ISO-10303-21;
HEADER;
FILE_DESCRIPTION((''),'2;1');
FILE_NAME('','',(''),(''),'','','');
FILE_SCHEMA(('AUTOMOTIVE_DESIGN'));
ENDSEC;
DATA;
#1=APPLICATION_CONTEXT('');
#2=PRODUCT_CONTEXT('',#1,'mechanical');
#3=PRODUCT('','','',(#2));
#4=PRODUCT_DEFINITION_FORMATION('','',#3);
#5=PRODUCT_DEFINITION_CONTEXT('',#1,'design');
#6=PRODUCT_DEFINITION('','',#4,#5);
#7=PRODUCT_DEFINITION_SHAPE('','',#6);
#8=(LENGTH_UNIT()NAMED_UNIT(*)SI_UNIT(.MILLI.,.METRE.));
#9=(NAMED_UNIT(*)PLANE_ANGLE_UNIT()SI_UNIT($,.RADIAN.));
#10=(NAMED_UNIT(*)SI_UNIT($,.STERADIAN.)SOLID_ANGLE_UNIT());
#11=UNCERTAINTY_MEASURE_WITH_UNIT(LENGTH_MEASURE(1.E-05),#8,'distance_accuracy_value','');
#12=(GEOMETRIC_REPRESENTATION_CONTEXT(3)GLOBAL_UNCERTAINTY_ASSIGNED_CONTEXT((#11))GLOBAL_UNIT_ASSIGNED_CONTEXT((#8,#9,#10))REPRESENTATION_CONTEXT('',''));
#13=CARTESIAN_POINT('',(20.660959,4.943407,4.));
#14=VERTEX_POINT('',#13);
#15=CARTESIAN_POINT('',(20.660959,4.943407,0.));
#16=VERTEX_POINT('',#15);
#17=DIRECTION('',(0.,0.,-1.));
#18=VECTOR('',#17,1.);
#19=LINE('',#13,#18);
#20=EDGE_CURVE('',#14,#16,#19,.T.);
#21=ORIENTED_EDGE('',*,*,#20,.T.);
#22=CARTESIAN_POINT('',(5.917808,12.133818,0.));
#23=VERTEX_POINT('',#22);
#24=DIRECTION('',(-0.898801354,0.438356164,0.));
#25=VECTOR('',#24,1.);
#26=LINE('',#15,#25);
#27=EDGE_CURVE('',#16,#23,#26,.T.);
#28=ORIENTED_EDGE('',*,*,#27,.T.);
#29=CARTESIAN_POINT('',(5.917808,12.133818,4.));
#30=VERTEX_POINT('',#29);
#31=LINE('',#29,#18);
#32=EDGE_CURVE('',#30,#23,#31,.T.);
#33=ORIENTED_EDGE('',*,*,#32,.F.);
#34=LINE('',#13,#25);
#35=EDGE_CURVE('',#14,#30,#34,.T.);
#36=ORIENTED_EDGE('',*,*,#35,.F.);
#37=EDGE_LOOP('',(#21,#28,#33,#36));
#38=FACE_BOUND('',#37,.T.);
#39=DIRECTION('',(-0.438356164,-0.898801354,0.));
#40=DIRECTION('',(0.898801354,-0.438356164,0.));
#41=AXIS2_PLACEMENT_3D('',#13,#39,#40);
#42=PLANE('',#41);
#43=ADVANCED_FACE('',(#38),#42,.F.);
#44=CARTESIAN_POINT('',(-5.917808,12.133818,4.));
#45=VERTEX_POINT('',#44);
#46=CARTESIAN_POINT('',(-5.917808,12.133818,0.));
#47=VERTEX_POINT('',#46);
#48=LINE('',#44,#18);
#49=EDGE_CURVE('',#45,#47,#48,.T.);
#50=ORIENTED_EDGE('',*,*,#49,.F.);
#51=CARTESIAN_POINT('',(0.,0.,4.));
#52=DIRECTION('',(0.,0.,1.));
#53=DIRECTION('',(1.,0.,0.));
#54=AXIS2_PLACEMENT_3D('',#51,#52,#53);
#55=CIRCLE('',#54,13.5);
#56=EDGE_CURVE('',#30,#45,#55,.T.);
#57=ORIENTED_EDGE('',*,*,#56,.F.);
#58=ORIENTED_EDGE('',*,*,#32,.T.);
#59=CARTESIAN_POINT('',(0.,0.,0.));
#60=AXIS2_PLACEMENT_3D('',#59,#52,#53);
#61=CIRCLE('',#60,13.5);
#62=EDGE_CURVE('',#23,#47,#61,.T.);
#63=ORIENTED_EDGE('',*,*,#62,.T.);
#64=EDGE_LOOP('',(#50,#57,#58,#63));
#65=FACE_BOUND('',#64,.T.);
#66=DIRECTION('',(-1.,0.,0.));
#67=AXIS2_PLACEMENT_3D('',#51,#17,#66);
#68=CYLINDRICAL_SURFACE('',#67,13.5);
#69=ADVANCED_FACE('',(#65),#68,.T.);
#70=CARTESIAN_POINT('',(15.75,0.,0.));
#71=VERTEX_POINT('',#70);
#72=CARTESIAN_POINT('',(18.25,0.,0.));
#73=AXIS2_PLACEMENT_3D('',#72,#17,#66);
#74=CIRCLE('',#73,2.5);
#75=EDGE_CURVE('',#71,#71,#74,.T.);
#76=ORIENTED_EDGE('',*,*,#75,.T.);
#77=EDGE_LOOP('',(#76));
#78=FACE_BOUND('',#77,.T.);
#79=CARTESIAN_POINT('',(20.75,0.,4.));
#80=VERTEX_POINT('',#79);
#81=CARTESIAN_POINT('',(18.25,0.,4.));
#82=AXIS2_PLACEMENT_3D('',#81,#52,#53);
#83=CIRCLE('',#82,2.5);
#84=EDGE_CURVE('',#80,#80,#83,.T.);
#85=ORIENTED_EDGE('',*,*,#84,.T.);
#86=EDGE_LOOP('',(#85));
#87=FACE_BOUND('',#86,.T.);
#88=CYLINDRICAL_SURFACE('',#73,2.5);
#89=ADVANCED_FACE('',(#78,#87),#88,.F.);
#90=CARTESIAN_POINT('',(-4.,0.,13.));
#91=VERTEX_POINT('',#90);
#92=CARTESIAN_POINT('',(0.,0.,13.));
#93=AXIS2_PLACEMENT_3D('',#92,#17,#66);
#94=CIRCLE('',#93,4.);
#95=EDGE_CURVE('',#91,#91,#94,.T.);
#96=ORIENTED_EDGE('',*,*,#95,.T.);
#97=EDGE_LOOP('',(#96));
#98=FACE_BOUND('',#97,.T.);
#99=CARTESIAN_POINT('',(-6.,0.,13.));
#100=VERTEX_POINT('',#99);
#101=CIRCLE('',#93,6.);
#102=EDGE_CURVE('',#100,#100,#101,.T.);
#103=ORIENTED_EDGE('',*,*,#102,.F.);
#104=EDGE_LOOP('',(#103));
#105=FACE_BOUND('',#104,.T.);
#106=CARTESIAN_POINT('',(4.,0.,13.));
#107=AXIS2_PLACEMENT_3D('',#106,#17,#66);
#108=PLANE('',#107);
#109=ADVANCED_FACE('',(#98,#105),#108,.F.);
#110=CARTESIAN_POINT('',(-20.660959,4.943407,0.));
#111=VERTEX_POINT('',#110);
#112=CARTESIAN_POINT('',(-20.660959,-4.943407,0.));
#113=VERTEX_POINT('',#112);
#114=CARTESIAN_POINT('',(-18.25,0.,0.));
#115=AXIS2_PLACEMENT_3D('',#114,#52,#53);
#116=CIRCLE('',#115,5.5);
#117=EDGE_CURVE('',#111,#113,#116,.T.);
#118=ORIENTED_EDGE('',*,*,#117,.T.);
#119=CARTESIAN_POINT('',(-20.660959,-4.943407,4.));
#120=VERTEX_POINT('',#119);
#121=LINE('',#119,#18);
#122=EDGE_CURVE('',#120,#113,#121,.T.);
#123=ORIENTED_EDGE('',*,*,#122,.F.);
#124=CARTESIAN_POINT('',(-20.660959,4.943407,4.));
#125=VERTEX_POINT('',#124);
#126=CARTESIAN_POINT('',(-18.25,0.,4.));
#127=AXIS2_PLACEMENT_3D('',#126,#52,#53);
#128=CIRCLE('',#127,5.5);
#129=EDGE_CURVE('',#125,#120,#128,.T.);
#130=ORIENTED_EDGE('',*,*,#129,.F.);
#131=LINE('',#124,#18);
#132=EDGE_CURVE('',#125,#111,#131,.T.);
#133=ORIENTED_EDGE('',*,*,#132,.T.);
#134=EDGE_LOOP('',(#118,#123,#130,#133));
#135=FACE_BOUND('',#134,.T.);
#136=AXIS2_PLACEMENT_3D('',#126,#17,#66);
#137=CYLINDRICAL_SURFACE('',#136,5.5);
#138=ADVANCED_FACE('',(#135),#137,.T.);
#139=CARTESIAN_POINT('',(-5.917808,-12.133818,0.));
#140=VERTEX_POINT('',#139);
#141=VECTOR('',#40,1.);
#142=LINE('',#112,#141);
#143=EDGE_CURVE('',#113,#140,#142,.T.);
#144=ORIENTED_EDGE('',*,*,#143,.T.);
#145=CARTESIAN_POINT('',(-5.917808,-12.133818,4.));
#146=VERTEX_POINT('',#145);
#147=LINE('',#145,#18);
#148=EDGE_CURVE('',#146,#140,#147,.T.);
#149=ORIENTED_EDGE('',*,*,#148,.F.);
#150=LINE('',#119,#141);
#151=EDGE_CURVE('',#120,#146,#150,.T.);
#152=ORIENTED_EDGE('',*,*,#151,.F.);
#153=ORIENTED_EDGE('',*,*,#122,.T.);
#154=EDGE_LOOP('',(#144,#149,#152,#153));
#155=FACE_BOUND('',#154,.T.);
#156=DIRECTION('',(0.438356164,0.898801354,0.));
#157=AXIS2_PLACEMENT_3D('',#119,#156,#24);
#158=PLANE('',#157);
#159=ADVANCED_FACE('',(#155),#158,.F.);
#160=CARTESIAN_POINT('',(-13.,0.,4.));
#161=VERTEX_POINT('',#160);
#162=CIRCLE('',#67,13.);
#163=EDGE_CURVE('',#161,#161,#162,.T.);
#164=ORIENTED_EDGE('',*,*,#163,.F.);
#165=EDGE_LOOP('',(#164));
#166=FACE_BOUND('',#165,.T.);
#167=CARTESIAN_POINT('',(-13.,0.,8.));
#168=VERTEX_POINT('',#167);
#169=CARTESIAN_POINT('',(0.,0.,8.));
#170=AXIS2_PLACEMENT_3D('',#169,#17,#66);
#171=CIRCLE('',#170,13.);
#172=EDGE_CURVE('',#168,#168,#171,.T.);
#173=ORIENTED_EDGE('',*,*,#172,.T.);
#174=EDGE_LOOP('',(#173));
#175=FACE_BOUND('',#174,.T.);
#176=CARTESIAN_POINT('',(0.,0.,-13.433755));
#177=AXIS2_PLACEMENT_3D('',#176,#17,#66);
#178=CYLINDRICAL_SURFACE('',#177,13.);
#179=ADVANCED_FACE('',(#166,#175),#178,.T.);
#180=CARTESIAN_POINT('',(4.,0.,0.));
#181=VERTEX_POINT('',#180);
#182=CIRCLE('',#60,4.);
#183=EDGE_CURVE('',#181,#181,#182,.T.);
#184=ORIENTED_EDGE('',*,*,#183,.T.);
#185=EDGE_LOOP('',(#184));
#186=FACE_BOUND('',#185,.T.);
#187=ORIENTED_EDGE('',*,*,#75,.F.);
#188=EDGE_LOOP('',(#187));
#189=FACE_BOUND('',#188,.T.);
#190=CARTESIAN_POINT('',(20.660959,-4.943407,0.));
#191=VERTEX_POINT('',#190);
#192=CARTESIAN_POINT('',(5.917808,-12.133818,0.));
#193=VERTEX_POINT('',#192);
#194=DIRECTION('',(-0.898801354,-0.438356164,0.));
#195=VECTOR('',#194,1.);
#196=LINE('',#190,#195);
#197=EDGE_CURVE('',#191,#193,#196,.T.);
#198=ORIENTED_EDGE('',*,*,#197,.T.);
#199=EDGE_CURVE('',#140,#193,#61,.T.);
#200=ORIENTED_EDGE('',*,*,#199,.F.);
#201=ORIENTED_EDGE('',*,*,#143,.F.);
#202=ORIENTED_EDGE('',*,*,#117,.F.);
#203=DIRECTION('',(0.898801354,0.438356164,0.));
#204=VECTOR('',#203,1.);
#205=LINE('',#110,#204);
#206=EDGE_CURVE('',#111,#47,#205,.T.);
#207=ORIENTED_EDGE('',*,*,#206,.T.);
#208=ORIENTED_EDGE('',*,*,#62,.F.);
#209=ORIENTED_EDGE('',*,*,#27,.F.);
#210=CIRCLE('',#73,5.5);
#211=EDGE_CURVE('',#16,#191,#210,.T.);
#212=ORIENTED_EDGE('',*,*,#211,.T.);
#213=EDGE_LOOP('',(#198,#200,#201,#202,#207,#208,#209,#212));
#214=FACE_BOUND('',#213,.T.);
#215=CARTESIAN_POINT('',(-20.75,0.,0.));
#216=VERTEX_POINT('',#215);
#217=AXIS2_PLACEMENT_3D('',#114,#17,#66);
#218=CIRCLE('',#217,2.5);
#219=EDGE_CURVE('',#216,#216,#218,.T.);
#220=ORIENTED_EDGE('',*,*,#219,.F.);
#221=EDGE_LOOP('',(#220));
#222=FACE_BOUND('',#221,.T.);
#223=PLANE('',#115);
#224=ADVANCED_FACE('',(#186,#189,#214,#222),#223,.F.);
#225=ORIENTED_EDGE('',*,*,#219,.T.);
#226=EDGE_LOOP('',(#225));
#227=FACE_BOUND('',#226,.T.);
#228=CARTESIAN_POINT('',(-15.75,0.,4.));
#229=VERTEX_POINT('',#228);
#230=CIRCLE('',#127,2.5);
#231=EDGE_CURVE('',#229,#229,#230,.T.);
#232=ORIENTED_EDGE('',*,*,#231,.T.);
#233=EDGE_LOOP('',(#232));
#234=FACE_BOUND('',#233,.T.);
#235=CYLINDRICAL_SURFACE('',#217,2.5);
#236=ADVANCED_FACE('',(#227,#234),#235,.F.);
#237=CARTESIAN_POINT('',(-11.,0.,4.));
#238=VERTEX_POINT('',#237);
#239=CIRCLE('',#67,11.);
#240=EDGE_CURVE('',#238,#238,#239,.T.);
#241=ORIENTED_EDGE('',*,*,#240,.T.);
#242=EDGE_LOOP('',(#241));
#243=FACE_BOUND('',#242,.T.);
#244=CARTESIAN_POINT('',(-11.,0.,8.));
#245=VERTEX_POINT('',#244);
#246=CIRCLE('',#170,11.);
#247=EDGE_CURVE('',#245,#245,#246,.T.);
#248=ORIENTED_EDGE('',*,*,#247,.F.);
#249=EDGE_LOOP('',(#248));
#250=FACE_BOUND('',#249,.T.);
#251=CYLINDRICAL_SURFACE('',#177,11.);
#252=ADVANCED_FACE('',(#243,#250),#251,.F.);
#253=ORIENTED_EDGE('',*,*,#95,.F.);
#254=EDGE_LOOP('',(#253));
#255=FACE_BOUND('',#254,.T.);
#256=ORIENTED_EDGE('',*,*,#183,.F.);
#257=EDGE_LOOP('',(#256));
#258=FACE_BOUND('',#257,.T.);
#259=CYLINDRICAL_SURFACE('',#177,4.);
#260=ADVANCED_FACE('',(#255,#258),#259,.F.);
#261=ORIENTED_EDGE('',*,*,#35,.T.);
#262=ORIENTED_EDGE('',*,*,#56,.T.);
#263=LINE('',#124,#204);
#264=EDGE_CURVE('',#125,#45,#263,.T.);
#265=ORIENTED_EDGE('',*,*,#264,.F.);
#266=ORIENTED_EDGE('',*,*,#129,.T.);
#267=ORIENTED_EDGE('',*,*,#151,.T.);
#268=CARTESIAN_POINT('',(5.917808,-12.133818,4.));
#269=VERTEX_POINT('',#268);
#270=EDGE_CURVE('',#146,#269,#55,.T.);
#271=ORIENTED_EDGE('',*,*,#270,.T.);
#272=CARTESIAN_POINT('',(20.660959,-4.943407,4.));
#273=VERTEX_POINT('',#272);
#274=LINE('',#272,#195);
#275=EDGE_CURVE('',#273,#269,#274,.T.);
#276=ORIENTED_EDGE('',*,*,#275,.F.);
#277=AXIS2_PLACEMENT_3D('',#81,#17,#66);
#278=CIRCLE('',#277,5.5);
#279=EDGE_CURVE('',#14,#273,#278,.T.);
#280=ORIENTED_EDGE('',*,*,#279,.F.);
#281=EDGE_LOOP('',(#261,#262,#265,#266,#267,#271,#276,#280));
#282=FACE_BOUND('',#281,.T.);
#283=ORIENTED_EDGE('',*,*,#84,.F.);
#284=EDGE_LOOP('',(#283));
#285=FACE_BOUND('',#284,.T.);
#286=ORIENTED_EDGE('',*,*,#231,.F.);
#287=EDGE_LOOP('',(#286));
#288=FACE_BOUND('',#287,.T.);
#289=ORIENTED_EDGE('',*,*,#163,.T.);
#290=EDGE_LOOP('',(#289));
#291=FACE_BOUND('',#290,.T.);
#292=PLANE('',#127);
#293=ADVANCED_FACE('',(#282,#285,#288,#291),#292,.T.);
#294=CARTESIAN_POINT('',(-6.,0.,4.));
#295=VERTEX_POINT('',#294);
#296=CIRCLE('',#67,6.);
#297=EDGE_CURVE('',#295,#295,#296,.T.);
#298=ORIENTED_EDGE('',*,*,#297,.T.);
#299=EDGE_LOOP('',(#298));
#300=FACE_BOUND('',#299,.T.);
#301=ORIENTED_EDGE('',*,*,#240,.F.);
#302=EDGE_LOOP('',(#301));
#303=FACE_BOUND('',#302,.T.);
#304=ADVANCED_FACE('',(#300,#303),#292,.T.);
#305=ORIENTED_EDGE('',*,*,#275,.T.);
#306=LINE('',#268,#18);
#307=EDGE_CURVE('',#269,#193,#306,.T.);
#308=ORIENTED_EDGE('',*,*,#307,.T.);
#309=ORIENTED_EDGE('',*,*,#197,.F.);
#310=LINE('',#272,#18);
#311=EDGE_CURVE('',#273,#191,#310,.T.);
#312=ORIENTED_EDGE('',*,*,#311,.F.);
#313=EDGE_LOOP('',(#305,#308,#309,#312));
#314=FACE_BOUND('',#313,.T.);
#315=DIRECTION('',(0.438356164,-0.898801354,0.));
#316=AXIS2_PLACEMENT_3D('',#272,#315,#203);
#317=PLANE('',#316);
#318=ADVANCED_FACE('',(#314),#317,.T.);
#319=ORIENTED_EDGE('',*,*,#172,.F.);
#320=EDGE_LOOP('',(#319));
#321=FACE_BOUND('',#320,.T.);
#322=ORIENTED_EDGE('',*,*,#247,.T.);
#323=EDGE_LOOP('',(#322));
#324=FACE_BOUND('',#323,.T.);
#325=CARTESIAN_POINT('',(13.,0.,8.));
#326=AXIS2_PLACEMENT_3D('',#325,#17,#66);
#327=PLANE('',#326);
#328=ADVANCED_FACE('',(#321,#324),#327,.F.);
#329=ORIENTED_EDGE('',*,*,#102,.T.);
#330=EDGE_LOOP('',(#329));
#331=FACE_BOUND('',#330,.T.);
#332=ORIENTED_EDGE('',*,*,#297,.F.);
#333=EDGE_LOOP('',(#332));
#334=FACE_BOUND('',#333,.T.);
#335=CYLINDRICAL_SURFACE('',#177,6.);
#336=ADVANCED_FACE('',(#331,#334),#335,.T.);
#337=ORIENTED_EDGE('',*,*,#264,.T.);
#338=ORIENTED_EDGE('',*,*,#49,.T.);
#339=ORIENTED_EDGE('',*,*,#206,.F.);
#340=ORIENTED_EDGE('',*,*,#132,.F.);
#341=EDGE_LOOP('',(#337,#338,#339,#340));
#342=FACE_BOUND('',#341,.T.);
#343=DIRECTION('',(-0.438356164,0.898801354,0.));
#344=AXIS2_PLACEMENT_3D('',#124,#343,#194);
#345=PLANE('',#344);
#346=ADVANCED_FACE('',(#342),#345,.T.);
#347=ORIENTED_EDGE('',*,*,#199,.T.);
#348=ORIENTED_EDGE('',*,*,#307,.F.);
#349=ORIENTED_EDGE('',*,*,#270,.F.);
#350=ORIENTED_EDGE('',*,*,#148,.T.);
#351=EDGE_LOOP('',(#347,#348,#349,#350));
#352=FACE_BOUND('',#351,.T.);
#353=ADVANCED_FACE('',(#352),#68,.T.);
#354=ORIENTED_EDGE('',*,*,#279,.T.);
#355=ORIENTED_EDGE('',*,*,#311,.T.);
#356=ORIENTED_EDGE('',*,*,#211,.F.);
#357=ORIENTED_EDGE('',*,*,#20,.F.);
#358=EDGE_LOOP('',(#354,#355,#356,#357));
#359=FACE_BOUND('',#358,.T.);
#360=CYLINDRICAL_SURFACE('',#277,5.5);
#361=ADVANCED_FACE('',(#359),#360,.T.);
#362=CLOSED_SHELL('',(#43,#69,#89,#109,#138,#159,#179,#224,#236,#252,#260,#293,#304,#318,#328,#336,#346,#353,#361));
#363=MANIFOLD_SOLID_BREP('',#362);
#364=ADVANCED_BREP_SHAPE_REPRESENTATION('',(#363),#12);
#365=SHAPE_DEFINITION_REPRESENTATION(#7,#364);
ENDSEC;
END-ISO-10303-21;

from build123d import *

# Parameters (mm, degrees)
BOSS_EXTRUDE5_DEPTH       = 4
SKETCH5_W                 = 2
SKETCH5_H                 = 4
F_5_0MM_DOWEL_HOLE1_D     = 5
F_5_0MM_DOWEL_HOLE1_DEPTH = 10.1
F_5_0MM_DOWEL_HOLE1_TIP   = 1.502151548
F_8_0MM_DOWEL_HOLE1_D     = 8
F_8_0MM_DOWEL_HOLE1_DEPTH = 10.1
F_8_0MM_DOWEL_HOLE1_TIP   = 2.403442476


with BuildPart() as part:
    # Sketch1 → Boss-Extrude5 (new body)
    with BuildSketch(Plane.XY):
        with BuildLine():
            Line((-20.660958904, 4.943407445), (-5.917808219, 12.133818273))
            ThreePointArc((-5.917808219, 12.133818273), (0, 13.5), (5.917808219, 12.133818273))
            Line((5.917808219, 12.133818273), (20.660958904, 4.943407445))
            ThreePointArc((20.660958904, 4.943407445), (23.75, 0), (20.660958904, -4.943407445))
            Line((20.660958904, -4.943407445), (5.917808219, -12.133818273))
            ThreePointArc((5.917808219, -12.133818273), (0, -13.5), (-5.917808219, -12.133818273))
            Line((-5.917808219, -12.133818273), (-20.660958904, -4.943407445))
            ThreePointArc((-20.660958904, -4.943407445), (-23.75, 0), (-20.660958904, 4.943407445))
        make_face()
    extrude(amount=BOSS_EXTRUDE5_DEPTH)

    # Sketch5 → Revolve2 (revolve)
    with BuildSketch(Plane(origin=(0, 0, 0), x_dir=(1, 0, 0), z_dir=(0, 1, 0)), mode=Mode.PRIVATE) as revolve2_sk:
        Polygon((4, -13), (6, -13), (6, -10.51697017), (6, -4), (4, -4), align=None)
        with Locations((12, -6)):
            Rectangle(SKETCH5_W, SKETCH5_H)
    revolve(revolve2_sk.sketch.rotate(Axis((0, 0, -13.433754879), (0, 0, 1)), 180), axis=Axis((0, 0, -13.433754879), (0, 0, 1)))

    # Ø5.0mm Dowel Hole1
    with Locations(Plane(origin=(0, 0, 0), x_dir=(1, 0, 0), z_dir=(0, 0, -1))):
        with Locations((18.25, 0), (-18.25, 0)):
            Hole(F_5_0MM_DOWEL_HOLE1_D / 2, depth=F_5_0MM_DOWEL_HOLE1_DEPTH)
            with Locations((0, 0, -(F_5_0MM_DOWEL_HOLE1_DEPTH + F_5_0MM_DOWEL_HOLE1_TIP / 2))):  # 118° drill point
                Cone(0, F_5_0MM_DOWEL_HOLE1_D / 2, F_5_0MM_DOWEL_HOLE1_TIP, mode=Mode.SUBTRACT)

    # Ø8.0mm Dowel Hole1
    with Locations(Plane.XY.offset(4)):
        with Locations((0, 0)):
            Hole(F_8_0MM_DOWEL_HOLE1_D / 2, depth=F_8_0MM_DOWEL_HOLE1_DEPTH)
            with Locations((0, 0, -(F_8_0MM_DOWEL_HOLE1_DEPTH + F_8_0MM_DOWEL_HOLE1_TIP / 2))):  # 118° drill point
                Cone(0, F_8_0MM_DOWEL_HOLE1_D / 2, F_8_0MM_DOWEL_HOLE1_TIP, mode=Mode.SUBTRACT)


solid = part.part
